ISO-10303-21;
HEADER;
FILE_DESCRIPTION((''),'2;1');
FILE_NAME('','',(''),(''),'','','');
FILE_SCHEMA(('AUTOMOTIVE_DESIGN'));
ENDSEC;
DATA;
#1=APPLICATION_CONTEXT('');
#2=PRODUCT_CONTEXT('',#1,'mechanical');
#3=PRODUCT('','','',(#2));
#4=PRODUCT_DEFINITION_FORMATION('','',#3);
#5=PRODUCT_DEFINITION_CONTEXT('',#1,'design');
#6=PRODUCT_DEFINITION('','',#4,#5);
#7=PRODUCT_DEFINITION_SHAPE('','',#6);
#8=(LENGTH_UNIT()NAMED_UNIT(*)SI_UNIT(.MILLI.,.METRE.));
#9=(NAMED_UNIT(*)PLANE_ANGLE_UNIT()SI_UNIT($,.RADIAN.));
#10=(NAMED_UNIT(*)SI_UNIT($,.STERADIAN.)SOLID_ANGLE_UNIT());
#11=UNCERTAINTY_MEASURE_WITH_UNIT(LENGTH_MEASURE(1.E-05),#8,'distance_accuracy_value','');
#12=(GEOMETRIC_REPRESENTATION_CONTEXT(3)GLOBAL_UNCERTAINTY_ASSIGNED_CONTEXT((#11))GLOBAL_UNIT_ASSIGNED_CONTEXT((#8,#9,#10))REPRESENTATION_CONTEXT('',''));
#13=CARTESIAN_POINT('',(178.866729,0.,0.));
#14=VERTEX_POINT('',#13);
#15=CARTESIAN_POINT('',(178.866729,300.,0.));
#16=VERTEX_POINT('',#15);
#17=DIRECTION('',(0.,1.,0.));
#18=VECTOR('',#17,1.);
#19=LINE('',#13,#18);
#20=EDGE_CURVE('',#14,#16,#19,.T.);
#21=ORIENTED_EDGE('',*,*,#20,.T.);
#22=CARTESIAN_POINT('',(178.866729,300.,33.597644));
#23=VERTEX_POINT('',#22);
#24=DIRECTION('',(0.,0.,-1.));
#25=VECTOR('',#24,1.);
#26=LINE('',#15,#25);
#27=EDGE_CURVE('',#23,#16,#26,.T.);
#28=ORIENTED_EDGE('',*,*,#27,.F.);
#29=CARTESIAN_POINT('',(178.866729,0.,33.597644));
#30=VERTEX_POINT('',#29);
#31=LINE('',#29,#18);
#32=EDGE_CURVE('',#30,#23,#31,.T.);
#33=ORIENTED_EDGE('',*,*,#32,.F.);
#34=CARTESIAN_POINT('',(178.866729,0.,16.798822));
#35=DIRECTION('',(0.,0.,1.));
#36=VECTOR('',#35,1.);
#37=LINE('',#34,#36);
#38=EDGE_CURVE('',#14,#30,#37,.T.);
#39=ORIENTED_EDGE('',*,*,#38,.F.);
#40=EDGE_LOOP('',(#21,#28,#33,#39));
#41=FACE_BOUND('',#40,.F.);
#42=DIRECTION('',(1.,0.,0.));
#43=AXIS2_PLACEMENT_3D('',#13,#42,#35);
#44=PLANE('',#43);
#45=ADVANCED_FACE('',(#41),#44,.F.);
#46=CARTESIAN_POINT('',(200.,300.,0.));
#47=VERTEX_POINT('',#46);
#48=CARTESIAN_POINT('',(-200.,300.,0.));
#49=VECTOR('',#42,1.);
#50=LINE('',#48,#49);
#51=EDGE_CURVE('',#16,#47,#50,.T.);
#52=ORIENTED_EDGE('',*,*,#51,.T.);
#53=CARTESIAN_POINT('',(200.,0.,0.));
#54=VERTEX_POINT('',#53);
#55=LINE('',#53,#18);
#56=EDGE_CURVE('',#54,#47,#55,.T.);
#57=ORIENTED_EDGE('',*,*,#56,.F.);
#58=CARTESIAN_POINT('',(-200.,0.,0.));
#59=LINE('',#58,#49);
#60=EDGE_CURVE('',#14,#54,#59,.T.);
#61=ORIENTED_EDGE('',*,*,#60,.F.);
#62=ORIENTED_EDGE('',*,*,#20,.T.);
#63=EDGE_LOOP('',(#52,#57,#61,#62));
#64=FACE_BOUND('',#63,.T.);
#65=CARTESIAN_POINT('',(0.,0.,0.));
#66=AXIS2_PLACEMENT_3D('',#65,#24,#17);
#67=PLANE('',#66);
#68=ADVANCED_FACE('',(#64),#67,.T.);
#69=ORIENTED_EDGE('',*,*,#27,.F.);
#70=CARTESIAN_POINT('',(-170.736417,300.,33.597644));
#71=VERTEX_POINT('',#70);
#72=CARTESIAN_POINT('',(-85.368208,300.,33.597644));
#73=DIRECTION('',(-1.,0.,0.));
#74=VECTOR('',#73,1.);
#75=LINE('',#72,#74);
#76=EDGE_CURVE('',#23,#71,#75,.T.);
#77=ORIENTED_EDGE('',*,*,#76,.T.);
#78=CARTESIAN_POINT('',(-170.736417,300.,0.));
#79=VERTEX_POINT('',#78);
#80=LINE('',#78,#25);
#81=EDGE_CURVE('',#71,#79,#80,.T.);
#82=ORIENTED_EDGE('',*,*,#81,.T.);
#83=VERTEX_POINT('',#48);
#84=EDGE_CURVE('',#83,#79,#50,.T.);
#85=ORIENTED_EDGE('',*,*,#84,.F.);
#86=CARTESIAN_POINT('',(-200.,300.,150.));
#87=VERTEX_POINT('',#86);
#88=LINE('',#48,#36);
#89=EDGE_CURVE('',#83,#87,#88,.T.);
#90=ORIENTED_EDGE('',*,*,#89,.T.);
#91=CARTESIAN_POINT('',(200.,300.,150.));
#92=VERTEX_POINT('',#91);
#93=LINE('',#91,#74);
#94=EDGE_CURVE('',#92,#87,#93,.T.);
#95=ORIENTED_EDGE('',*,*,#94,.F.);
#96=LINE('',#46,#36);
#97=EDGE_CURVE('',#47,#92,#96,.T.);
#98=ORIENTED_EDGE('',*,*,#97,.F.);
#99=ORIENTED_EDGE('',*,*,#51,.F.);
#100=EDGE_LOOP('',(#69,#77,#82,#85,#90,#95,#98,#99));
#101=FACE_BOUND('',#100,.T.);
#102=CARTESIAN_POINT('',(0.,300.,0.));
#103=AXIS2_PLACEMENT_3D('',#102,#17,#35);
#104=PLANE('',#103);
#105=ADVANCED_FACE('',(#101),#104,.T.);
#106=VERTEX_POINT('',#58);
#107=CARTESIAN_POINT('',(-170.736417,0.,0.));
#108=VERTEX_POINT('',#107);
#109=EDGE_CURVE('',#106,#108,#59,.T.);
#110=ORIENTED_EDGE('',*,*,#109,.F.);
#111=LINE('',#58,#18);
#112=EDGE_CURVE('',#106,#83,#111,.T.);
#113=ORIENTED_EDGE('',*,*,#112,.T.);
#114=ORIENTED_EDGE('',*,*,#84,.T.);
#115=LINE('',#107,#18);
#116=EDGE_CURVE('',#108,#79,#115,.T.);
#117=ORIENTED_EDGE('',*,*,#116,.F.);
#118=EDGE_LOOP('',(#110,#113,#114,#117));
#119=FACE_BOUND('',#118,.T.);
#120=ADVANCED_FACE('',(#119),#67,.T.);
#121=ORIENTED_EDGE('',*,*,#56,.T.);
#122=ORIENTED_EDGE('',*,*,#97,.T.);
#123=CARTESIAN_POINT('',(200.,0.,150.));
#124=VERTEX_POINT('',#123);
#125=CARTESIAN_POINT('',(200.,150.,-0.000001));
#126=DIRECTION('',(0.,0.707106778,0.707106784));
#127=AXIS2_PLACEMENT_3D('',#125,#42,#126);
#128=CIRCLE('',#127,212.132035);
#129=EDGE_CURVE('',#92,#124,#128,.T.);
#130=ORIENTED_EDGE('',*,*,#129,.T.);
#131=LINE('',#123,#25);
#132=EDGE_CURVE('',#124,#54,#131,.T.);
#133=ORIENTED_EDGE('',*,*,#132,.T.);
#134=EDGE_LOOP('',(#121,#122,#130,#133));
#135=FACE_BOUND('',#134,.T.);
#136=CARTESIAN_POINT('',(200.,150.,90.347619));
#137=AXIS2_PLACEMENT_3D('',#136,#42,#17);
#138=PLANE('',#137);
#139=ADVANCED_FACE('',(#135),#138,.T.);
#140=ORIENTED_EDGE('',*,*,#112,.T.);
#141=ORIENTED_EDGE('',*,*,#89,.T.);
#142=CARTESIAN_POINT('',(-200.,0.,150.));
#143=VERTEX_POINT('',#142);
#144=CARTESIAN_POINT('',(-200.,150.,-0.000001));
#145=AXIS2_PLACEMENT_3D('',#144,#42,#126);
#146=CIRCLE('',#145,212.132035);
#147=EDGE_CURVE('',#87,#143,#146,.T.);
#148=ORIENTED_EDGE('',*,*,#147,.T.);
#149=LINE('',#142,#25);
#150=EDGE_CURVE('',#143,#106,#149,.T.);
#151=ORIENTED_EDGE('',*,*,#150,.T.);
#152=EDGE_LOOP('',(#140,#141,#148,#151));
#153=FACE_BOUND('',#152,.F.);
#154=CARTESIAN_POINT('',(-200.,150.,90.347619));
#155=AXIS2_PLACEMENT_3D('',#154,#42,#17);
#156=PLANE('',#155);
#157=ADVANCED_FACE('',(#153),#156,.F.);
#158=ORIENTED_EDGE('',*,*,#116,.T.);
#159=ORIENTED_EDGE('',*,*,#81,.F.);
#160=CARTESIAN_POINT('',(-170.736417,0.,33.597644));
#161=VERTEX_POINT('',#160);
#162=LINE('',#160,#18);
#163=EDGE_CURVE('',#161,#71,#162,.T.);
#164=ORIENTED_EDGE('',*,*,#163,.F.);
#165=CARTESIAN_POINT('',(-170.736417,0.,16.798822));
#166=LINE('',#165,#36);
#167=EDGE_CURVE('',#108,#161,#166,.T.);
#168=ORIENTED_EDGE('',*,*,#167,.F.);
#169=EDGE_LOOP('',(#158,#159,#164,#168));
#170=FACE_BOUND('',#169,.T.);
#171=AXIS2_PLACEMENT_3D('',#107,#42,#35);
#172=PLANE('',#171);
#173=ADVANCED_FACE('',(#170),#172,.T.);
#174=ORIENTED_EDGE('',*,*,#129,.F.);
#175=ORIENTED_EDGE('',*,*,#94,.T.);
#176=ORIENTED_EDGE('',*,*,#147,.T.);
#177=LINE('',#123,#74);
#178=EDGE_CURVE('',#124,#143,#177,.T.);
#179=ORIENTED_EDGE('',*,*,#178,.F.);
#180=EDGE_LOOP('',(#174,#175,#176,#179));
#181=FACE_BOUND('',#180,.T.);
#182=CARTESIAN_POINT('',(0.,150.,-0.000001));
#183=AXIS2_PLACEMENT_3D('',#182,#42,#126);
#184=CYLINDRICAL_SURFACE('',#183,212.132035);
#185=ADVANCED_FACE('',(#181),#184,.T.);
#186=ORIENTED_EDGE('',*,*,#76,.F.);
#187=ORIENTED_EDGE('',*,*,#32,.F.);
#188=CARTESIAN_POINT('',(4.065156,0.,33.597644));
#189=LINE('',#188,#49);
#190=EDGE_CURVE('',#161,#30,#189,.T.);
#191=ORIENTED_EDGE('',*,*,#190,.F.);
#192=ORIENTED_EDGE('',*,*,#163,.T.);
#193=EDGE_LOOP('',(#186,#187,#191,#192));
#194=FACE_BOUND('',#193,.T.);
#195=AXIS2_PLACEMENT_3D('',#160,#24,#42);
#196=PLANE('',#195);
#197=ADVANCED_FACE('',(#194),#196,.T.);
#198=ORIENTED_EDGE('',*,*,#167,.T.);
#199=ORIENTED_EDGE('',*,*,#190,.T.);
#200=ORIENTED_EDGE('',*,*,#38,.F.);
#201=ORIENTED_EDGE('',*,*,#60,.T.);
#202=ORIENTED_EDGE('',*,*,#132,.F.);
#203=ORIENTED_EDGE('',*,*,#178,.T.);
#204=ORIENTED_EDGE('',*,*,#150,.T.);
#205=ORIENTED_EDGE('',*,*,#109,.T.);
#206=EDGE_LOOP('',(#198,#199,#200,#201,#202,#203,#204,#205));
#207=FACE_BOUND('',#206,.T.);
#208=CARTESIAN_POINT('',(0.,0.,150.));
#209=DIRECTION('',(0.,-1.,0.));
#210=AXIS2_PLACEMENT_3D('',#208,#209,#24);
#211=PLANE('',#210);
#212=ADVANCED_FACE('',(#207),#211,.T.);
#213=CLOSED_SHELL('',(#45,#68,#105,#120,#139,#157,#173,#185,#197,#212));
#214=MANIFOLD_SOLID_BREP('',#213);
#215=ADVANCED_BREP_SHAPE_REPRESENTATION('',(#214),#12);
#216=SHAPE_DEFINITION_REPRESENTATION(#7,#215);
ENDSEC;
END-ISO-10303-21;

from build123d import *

# Parameters (mm, degrees)
F1_DEPTH      = 200
F1_DEPTH_BACK = 200
F2_W          = 349.603146
F2_H          = 33.597644
F3_DEPTH      = 400


with BuildPart() as f1:
    # F0 (on Right) → F1 (new body, two sides)
    with BuildSketch(Plane.YZ) as f1_sk:
        with BuildLine():
            Line((0, 150), (0, 0))
            Line((0, 0), (300, 0))
            Line((300, 0), (300, 150))
            ThreePointArc((300, 150), (150, 212.132034), (0, 150))
        make_face()
    extrude(amount=F1_DEPTH)
    extrude(f1_sk.sketch, amount=-F1_DEPTH_BACK)

    # F2 (on face) → F3 (cut)
    with BuildSketch(Plane.XZ):
        with Locations((4.065156, 16.798822)):
            Rectangle(F2_W, F2_H)
    extrude(amount=-F3_DEPTH, mode=Mode.SUBTRACT)


solid = f1.part
